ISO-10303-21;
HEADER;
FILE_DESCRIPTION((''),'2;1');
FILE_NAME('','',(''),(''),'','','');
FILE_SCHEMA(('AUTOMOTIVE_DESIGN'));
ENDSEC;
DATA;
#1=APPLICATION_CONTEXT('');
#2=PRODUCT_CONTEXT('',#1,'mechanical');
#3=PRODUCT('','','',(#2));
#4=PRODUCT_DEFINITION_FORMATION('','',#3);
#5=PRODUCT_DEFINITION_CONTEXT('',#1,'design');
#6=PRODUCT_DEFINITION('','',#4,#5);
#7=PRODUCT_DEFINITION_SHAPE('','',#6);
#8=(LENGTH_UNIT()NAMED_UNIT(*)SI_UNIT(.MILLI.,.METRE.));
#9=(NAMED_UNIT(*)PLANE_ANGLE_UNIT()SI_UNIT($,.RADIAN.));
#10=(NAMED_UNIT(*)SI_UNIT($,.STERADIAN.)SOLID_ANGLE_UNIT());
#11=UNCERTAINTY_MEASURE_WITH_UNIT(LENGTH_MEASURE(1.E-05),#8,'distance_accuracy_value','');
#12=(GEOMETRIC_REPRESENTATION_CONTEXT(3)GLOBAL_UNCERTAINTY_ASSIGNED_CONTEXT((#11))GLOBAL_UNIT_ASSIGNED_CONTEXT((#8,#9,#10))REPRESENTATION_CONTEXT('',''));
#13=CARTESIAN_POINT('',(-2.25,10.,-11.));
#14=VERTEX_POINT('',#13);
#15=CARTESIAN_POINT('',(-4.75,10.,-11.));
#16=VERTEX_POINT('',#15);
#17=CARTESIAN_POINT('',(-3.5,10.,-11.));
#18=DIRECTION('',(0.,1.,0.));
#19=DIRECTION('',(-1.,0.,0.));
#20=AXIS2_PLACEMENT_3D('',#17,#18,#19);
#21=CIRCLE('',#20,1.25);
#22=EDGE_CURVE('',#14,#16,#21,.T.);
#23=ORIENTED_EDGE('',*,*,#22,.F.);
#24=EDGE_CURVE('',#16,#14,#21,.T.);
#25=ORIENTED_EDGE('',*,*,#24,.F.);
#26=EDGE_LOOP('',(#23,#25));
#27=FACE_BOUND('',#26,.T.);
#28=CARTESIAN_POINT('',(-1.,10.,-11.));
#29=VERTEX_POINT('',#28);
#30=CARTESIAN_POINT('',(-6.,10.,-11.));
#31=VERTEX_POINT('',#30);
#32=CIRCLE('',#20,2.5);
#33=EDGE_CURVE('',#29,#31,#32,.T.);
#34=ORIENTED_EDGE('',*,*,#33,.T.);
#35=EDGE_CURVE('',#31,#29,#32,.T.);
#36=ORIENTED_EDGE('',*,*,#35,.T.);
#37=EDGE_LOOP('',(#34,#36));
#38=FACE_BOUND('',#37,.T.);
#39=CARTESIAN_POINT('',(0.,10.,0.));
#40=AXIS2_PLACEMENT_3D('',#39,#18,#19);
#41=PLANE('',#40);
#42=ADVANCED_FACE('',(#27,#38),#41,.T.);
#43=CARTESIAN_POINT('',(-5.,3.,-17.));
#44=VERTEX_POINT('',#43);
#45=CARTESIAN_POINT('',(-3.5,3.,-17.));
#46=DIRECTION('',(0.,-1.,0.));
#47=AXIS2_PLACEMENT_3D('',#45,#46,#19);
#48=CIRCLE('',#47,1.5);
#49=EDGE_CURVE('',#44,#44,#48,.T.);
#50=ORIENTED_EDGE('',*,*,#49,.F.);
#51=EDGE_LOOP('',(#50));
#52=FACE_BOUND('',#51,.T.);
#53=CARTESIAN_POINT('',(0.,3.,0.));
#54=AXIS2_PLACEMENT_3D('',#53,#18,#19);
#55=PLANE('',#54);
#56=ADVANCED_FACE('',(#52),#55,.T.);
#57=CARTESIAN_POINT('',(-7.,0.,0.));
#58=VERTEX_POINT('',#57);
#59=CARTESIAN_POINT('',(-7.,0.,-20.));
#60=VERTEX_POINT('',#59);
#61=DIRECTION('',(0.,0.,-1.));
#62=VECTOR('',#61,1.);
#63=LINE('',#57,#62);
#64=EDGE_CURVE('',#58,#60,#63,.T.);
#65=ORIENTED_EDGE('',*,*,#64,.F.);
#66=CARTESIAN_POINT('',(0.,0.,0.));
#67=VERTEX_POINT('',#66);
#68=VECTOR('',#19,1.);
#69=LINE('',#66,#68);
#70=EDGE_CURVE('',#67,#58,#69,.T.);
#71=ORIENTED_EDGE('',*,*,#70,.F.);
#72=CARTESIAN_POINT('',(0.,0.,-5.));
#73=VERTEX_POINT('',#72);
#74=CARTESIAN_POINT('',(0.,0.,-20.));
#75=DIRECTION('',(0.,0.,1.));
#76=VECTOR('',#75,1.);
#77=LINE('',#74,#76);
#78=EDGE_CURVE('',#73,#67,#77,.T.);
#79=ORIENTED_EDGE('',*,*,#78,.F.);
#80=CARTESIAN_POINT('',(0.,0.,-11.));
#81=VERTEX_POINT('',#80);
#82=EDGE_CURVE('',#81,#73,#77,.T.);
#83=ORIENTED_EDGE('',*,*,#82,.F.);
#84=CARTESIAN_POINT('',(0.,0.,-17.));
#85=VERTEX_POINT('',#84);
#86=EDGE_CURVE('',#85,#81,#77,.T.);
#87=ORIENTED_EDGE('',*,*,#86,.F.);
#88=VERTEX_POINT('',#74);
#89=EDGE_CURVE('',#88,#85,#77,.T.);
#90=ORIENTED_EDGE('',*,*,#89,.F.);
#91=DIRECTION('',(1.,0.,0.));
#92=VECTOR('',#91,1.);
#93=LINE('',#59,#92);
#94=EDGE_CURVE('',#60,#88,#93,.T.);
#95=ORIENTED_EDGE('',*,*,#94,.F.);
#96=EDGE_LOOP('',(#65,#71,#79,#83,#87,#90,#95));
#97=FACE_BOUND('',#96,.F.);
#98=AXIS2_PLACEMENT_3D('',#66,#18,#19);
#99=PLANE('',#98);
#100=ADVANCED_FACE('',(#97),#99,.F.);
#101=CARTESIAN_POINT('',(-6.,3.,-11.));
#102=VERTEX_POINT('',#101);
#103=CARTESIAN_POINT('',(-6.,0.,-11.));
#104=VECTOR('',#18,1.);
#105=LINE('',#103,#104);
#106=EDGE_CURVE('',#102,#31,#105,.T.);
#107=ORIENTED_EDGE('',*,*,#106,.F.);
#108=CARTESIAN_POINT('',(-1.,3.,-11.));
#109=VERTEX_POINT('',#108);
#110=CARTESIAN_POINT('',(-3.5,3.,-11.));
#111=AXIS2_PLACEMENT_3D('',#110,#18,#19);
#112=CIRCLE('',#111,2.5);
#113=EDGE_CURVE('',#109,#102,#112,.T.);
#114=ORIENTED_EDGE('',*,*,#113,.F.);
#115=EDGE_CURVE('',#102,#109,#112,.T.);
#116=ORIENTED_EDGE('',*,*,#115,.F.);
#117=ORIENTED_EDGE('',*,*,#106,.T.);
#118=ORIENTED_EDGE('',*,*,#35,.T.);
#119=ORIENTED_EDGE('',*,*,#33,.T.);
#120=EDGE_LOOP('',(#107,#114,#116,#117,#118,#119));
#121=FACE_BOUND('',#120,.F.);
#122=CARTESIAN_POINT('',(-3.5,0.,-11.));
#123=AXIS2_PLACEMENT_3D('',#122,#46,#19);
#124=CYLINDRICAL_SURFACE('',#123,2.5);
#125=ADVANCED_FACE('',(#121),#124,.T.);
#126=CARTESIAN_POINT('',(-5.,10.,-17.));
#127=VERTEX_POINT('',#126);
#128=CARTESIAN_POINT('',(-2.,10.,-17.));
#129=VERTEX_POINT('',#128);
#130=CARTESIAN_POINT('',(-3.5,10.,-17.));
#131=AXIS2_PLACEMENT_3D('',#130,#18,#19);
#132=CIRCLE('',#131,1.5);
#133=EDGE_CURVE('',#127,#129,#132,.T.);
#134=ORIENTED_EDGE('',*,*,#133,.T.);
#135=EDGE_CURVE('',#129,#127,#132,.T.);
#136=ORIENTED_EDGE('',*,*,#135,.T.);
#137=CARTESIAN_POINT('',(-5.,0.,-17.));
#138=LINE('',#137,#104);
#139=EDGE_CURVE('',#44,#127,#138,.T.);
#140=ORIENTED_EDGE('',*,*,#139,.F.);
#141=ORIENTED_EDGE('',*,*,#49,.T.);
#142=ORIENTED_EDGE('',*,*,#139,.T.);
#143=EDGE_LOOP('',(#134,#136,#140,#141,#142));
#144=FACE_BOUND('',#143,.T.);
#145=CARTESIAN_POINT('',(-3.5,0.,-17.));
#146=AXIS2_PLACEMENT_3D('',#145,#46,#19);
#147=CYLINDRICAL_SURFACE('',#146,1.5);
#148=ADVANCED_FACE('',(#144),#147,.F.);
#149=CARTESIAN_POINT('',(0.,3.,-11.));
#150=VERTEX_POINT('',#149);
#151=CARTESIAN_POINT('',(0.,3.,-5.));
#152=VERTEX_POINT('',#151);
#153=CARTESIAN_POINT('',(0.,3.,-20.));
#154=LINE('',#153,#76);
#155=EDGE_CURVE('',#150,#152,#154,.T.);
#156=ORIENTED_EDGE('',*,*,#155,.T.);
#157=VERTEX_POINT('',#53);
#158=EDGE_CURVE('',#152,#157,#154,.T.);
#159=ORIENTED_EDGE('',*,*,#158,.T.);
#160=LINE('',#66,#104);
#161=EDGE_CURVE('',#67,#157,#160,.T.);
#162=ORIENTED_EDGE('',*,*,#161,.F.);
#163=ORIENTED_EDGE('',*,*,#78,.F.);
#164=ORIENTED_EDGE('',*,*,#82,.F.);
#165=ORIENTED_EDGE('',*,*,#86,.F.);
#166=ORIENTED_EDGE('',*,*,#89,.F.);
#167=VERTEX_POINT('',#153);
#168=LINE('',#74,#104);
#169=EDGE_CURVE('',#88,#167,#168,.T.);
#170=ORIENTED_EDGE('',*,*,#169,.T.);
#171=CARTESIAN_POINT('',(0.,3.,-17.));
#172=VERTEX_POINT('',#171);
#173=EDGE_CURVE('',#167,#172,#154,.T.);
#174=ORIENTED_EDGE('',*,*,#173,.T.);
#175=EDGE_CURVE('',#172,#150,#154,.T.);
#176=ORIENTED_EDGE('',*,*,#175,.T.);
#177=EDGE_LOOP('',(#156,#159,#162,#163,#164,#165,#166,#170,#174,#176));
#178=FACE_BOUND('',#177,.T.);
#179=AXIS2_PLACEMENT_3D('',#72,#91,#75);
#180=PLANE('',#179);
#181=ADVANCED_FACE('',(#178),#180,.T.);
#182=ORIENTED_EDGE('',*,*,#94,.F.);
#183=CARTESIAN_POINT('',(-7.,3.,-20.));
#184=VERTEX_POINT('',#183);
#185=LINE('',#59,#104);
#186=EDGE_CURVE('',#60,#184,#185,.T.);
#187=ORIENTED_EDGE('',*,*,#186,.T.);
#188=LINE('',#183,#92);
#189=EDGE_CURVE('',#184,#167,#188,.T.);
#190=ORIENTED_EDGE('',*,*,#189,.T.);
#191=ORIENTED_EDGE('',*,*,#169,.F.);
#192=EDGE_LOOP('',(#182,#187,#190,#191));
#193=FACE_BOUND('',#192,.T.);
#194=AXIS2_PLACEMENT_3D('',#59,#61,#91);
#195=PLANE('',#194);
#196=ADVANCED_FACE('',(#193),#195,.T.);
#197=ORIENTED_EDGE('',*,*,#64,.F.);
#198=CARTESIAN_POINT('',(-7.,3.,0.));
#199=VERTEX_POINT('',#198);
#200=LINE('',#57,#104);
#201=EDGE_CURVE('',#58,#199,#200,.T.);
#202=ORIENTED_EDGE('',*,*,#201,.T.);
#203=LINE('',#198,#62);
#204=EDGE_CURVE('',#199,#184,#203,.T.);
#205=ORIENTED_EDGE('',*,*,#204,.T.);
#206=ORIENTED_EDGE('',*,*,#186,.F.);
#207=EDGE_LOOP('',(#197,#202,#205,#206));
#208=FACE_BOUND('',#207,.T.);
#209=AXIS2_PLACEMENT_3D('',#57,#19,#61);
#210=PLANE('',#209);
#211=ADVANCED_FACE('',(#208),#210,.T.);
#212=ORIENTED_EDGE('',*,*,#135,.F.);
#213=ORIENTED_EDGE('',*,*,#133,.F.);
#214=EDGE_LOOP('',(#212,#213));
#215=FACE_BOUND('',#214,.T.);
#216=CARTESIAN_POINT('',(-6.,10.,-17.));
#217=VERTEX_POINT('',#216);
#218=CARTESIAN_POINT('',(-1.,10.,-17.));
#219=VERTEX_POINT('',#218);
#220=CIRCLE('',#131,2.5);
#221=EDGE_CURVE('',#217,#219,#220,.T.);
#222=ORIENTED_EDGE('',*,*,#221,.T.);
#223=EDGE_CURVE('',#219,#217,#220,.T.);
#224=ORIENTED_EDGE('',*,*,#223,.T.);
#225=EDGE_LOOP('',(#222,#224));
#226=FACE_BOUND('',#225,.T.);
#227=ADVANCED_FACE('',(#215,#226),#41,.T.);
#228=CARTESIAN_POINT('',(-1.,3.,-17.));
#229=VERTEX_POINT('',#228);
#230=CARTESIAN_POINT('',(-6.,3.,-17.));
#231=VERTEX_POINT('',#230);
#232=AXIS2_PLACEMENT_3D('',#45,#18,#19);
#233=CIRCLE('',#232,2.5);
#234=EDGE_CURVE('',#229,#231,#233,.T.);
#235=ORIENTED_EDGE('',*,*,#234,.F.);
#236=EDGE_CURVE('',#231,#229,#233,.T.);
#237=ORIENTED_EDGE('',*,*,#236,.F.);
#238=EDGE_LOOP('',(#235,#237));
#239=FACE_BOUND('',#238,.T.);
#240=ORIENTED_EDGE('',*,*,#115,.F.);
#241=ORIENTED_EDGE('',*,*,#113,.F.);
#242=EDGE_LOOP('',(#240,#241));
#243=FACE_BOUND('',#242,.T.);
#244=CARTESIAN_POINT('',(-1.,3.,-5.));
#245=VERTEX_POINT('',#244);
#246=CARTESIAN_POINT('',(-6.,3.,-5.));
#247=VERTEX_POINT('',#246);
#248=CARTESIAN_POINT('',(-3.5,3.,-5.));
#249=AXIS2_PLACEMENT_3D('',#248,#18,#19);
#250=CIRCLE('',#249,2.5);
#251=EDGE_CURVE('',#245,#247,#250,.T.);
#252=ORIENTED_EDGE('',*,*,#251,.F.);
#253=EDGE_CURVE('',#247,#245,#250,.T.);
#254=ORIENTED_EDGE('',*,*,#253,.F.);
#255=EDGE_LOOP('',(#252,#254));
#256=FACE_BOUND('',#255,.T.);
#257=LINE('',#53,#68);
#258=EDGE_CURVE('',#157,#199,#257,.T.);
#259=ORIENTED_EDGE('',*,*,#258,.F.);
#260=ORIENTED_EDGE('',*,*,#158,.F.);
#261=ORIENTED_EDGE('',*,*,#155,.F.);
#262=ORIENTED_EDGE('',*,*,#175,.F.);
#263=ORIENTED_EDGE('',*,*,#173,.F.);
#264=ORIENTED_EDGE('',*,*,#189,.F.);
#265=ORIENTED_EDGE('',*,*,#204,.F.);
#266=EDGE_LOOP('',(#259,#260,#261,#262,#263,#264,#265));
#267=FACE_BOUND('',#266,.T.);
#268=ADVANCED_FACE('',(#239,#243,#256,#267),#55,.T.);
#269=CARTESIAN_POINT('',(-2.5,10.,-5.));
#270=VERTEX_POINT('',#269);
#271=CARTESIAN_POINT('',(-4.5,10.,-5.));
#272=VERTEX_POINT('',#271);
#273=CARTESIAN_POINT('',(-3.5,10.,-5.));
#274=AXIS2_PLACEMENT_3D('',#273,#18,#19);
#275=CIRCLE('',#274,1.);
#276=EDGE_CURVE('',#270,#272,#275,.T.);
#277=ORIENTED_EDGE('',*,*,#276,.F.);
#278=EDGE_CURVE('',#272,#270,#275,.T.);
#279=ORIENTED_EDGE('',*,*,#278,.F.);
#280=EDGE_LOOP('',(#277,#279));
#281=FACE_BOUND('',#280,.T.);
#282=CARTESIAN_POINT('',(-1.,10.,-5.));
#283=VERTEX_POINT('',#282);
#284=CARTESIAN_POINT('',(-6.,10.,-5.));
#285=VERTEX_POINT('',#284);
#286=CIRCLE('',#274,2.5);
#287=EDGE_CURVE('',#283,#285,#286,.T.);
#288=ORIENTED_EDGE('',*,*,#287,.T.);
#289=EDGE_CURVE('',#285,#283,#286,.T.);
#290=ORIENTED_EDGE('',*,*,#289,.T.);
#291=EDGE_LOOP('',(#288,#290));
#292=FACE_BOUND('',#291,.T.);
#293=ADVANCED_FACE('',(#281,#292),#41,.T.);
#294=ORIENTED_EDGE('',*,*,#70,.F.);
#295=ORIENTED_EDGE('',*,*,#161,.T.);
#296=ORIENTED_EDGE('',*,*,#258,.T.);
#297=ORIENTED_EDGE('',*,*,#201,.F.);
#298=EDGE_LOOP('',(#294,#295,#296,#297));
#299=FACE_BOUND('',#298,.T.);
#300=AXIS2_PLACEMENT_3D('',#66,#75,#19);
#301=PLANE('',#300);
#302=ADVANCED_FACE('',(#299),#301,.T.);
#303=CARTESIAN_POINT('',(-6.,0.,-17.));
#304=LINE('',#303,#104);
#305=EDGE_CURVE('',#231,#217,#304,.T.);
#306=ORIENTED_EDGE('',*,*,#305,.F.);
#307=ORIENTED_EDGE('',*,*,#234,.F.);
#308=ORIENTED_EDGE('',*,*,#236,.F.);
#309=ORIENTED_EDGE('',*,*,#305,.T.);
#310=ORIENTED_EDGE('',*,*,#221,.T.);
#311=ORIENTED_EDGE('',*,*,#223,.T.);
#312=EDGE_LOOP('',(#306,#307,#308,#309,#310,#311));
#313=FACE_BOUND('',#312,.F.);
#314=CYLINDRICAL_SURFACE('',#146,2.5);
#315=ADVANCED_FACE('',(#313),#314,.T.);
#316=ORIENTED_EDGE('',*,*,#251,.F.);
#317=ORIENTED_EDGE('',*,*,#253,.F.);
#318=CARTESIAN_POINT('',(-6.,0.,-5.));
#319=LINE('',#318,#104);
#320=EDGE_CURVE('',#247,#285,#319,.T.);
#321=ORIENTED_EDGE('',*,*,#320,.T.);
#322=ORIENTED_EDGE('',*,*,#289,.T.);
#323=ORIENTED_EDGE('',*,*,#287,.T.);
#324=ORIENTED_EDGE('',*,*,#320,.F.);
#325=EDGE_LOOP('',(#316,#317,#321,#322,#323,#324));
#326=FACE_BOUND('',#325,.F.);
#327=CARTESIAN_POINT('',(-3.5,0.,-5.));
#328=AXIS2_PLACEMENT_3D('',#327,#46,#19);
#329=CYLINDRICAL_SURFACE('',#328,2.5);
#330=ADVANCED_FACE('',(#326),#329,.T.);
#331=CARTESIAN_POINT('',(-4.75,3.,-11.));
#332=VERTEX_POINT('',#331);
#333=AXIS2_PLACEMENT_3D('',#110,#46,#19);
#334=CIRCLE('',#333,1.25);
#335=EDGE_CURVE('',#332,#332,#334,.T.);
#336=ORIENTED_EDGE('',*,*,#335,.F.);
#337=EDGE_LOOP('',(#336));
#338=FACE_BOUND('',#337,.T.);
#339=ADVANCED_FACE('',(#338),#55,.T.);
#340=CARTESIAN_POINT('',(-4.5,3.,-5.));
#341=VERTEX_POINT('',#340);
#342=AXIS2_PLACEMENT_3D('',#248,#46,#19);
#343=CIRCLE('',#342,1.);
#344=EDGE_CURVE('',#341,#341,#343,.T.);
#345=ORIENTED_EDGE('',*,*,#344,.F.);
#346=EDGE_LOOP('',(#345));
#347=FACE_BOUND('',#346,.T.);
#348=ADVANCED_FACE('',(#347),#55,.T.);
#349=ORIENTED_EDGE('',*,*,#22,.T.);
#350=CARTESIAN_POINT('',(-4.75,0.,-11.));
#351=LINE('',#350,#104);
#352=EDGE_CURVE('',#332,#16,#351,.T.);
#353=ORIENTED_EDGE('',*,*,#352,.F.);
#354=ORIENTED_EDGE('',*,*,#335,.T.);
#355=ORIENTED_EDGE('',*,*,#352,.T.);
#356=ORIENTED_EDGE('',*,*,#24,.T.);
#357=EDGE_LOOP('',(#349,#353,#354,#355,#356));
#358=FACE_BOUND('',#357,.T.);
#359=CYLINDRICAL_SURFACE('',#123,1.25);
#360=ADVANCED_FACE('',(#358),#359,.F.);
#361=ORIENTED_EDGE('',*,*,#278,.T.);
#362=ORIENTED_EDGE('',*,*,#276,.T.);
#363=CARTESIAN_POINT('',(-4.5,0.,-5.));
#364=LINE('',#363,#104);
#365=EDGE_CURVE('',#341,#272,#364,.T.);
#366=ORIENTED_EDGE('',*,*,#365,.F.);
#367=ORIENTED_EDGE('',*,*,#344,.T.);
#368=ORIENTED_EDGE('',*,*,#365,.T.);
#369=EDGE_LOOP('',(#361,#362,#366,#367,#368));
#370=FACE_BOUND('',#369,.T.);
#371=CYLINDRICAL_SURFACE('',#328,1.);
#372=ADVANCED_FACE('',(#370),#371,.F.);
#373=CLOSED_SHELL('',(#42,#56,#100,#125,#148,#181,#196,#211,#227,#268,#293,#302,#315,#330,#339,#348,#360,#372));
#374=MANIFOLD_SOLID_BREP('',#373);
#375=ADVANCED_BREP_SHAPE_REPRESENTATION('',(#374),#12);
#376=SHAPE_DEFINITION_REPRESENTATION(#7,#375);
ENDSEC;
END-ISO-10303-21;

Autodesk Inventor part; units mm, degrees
ref_plane "YZ Plane" through (0, 0, 0) normal (1, 0, 0) x (0, 1, 0)
ref_plane "XZ Plane" through (0, 0, 0) normal (0, 1, 0) x (-1, 0, 0)
ref_plane "XY Plane" through (0, 0, 0) normal (0, 0, 1) x (1, 0, 0)
sketch "Sketch1" plane through (0, 0, 0) normal (0, 1, 0) x (-1, 0, 0)
  line L0 (0, 0) -> (7, 0)
  line L1 (7, 0) -> (7, -20)
  line L2 (7, -20) -> (0, -20)
  line L3 (0, -20) -> (0, 0)
  line L4 (0, 0) -> (0, -5)
  line L5 (0, -5) -> (3.5, -5)
  circle A0 centre (3.5, -5) radius 2.5
  circle A1 centre (3.5, -5) radius 1
  line L6 (0, -5) -> (0, -11)
  line L7 (0, -11) -> (3.5, -11)
  circle A2 centre (3.5, -11) radius 2.5
  circle A3 centre (3.5, -11) radius 1.25
  line L8 (0, -11) -> (0, -17)
  line L9 (0, -17) -> (3.5, -17)
  circle A4 centre (3.5, -17) radius 2.5
  circle A5 centre (3.5, -17) radius 1.5
  dimension "d0" = 7
  dimension "d1" = 20
  dimension "d2" = 5
  dimension "d3" = 3.5
  dimension "d4" = 5
  dimension "d5" = 2
  dimension "d6" = 6
  dimension "d7" = 3.5
  dimension "d8" = 5
  dimension "d9" = 2.5
  dimension "d10" = 6
  dimension "d11" = 3.5
  dimension "d12" = 5
  dimension "d13" = 3
extrude "Extrusion1" add sketch "Sketch1" along normal blind 3 contours L0 L1 L2 L3
extrude "Extrusion2" add sketch "Sketch1" along normal blind 3 contours A1 | A3 | A5
extrude "Extrusion3" add sketch "Sketch1" along normal blind 10 contours A0 | A2 | A4
properties part number "HoleSizeTest"
